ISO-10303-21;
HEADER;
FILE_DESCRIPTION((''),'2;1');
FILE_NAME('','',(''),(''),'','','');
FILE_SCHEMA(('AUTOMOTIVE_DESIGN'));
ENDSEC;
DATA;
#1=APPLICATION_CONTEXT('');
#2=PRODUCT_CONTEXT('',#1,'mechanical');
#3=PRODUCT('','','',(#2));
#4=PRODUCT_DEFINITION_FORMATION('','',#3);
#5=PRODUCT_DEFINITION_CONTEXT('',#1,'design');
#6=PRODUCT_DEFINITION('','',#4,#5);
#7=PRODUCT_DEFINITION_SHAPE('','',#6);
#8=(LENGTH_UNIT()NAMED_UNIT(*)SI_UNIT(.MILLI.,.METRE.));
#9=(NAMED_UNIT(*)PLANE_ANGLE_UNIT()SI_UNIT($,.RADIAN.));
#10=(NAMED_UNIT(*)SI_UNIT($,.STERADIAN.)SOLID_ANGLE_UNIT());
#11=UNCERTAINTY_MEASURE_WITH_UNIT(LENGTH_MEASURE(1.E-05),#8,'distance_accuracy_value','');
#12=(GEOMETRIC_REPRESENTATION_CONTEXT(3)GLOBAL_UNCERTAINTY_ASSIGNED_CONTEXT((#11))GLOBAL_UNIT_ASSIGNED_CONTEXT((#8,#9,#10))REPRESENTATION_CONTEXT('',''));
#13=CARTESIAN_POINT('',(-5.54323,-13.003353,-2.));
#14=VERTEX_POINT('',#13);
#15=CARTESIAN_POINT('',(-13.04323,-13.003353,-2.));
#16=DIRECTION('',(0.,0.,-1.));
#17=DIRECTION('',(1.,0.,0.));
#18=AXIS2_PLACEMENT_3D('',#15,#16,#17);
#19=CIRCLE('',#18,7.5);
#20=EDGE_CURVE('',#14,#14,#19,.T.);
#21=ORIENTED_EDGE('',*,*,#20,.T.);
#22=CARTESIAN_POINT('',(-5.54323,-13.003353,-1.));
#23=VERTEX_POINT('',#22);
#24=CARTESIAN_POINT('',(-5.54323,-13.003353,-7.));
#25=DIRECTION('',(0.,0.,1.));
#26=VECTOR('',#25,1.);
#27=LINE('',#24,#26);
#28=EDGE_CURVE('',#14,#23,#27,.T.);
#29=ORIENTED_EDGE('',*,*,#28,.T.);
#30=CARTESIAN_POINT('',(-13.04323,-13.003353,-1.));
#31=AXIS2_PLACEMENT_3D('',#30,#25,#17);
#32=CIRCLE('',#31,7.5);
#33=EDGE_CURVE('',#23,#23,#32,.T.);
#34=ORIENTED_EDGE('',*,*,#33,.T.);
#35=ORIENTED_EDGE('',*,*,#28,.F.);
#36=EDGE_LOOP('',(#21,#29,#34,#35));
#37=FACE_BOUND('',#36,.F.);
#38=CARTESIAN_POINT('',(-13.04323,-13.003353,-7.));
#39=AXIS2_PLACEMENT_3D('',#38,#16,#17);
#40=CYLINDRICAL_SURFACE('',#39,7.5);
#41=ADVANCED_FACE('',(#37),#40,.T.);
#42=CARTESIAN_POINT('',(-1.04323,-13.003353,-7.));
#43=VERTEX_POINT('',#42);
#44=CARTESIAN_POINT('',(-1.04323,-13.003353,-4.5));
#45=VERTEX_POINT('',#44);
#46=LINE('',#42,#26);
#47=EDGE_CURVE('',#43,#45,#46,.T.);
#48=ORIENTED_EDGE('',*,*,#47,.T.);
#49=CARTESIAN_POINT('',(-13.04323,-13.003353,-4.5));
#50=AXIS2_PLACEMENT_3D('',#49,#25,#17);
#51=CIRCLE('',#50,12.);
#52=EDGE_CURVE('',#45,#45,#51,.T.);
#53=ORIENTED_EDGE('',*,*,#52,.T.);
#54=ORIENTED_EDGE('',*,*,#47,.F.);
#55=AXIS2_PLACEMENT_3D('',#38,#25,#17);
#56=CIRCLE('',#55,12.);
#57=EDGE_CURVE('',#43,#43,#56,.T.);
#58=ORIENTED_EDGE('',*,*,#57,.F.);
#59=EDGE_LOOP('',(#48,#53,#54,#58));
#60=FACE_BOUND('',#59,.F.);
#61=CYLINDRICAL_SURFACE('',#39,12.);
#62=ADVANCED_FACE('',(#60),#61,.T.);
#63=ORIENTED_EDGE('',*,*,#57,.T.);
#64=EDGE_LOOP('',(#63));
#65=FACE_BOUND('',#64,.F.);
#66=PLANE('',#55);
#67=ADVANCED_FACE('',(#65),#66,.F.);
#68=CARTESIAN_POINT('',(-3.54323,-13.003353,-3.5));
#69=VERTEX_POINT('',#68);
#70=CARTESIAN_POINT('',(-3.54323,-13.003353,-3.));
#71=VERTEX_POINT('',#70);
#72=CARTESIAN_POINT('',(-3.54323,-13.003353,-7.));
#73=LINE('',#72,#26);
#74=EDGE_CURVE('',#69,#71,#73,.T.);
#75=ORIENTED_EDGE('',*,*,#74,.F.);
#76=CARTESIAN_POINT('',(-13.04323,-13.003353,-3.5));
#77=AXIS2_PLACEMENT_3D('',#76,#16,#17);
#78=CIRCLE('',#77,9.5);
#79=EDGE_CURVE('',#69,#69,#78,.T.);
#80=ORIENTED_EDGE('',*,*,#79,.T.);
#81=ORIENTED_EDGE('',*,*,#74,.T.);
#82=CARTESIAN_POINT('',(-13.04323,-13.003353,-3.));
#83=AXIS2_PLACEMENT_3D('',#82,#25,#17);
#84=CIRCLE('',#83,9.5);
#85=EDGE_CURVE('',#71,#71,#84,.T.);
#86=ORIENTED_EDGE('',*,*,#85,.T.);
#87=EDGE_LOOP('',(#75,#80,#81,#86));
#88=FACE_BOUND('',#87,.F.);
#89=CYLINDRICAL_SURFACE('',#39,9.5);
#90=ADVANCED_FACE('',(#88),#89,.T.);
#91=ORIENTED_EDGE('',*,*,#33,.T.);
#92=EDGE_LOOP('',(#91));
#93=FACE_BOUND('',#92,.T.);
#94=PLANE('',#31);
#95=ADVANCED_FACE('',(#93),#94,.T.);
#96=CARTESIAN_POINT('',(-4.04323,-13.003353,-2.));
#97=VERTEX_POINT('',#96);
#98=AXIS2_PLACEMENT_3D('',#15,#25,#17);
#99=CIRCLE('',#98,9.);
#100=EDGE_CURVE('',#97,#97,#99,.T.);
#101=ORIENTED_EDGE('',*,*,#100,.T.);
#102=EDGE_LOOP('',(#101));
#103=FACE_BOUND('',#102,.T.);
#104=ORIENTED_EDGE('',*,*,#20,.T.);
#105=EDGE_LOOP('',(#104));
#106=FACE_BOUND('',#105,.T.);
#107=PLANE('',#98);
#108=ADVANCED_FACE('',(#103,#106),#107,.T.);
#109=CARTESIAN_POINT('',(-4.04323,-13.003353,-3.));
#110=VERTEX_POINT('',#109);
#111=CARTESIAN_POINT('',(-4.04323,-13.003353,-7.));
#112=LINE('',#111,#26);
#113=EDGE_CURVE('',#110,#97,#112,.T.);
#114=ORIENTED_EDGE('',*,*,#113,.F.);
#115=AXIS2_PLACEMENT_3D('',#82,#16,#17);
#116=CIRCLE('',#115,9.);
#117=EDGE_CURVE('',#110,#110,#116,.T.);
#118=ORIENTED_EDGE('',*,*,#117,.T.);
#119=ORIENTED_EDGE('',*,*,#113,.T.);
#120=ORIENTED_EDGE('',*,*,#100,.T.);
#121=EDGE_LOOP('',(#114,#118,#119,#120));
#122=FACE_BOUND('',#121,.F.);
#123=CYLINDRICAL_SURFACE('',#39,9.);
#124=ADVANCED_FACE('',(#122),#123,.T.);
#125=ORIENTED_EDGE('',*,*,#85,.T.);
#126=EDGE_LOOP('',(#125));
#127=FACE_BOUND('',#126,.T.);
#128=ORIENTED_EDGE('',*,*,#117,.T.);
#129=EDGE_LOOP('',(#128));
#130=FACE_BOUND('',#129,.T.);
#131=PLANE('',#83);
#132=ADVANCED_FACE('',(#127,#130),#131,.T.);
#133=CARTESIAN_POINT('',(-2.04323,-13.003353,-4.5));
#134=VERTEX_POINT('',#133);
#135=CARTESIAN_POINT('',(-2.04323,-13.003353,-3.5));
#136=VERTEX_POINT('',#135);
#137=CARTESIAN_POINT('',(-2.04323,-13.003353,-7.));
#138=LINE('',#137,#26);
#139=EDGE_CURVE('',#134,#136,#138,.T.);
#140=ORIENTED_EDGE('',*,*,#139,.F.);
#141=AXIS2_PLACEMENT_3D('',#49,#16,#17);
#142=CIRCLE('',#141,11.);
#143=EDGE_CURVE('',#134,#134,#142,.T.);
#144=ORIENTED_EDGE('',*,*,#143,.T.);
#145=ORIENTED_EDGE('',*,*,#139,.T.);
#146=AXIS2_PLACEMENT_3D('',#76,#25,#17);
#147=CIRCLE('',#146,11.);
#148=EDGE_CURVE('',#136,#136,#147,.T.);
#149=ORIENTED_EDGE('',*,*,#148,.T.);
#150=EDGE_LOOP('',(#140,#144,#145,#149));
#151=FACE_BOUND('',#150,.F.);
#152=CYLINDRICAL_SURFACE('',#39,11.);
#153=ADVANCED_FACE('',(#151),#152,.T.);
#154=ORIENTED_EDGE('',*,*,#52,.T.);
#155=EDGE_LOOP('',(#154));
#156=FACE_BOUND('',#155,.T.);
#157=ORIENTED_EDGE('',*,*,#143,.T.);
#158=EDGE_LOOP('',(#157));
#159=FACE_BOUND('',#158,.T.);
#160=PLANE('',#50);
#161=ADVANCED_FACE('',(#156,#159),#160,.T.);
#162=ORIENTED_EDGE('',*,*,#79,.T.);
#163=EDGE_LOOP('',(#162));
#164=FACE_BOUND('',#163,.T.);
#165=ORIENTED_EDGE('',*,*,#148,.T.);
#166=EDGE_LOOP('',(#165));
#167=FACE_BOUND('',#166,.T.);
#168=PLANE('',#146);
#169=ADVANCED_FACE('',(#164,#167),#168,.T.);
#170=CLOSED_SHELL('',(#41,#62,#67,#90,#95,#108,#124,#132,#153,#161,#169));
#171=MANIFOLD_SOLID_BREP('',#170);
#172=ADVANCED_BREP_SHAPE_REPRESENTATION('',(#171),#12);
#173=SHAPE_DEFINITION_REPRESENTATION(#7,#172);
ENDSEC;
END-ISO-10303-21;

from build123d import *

# Parameters (mm, degrees)
SKETCH001_R      = 9
EXTRUDE001_DEPTH = 5
SKETCH002_R      = 9.5
EXTRUDE002_DEPTH = 4
SKETCH003_R      = 11
EXTRUDE003_DEPTH = 3.5
SKETCH004_R      = 12
EXTRUDE004_DEPTH = 2.5
SKETCH_R         = 7.5
EXTRUDE_DEPTH    = 6


with BuildPart() as extrude001:
    # Sketch001 → Extrude001 (new body)
    with BuildSketch(Plane.XY):
        Circle(SKETCH001_R)
    extrude(amount=EXTRUDE001_DEPTH)


with BuildPart() as extrude002:
    # Sketch002 → Extrude002 (new body)
    with BuildSketch(Plane.XY):
        Circle(SKETCH002_R)
    extrude(amount=EXTRUDE002_DEPTH)


with BuildPart() as extrude003:
    # Sketch003 → Extrude003 (new body)
    with BuildSketch(Plane.XY):
        Circle(SKETCH003_R)
    extrude(amount=EXTRUDE003_DEPTH)


with BuildPart() as extrude004:
    # Sketch004 → Extrude004 (new body)
    with BuildSketch(Plane.XY):
        Circle(SKETCH004_R)
    extrude(amount=EXTRUDE004_DEPTH)


with BuildPart() as model_fusion:
    # Sketch → Extrude (new body)
    with BuildSketch(Plane.XY):
        Circle(SKETCH_R)
    extrude(amount=EXTRUDE_DEPTH)

    # Fusion: union Extrude001, Extrude002, Extrude003, Extrude004
    add(extrude001.part)
    add(extrude002.part)
    add(extrude003.part)
    add(extrude004.part)


with BuildPart() as model_fusion_1:
    # Clone placement: moved
    add(model_fusion.part.moved(Location((-13.04323, -13.003353, -7))))


solid = model_fusion_1.part
